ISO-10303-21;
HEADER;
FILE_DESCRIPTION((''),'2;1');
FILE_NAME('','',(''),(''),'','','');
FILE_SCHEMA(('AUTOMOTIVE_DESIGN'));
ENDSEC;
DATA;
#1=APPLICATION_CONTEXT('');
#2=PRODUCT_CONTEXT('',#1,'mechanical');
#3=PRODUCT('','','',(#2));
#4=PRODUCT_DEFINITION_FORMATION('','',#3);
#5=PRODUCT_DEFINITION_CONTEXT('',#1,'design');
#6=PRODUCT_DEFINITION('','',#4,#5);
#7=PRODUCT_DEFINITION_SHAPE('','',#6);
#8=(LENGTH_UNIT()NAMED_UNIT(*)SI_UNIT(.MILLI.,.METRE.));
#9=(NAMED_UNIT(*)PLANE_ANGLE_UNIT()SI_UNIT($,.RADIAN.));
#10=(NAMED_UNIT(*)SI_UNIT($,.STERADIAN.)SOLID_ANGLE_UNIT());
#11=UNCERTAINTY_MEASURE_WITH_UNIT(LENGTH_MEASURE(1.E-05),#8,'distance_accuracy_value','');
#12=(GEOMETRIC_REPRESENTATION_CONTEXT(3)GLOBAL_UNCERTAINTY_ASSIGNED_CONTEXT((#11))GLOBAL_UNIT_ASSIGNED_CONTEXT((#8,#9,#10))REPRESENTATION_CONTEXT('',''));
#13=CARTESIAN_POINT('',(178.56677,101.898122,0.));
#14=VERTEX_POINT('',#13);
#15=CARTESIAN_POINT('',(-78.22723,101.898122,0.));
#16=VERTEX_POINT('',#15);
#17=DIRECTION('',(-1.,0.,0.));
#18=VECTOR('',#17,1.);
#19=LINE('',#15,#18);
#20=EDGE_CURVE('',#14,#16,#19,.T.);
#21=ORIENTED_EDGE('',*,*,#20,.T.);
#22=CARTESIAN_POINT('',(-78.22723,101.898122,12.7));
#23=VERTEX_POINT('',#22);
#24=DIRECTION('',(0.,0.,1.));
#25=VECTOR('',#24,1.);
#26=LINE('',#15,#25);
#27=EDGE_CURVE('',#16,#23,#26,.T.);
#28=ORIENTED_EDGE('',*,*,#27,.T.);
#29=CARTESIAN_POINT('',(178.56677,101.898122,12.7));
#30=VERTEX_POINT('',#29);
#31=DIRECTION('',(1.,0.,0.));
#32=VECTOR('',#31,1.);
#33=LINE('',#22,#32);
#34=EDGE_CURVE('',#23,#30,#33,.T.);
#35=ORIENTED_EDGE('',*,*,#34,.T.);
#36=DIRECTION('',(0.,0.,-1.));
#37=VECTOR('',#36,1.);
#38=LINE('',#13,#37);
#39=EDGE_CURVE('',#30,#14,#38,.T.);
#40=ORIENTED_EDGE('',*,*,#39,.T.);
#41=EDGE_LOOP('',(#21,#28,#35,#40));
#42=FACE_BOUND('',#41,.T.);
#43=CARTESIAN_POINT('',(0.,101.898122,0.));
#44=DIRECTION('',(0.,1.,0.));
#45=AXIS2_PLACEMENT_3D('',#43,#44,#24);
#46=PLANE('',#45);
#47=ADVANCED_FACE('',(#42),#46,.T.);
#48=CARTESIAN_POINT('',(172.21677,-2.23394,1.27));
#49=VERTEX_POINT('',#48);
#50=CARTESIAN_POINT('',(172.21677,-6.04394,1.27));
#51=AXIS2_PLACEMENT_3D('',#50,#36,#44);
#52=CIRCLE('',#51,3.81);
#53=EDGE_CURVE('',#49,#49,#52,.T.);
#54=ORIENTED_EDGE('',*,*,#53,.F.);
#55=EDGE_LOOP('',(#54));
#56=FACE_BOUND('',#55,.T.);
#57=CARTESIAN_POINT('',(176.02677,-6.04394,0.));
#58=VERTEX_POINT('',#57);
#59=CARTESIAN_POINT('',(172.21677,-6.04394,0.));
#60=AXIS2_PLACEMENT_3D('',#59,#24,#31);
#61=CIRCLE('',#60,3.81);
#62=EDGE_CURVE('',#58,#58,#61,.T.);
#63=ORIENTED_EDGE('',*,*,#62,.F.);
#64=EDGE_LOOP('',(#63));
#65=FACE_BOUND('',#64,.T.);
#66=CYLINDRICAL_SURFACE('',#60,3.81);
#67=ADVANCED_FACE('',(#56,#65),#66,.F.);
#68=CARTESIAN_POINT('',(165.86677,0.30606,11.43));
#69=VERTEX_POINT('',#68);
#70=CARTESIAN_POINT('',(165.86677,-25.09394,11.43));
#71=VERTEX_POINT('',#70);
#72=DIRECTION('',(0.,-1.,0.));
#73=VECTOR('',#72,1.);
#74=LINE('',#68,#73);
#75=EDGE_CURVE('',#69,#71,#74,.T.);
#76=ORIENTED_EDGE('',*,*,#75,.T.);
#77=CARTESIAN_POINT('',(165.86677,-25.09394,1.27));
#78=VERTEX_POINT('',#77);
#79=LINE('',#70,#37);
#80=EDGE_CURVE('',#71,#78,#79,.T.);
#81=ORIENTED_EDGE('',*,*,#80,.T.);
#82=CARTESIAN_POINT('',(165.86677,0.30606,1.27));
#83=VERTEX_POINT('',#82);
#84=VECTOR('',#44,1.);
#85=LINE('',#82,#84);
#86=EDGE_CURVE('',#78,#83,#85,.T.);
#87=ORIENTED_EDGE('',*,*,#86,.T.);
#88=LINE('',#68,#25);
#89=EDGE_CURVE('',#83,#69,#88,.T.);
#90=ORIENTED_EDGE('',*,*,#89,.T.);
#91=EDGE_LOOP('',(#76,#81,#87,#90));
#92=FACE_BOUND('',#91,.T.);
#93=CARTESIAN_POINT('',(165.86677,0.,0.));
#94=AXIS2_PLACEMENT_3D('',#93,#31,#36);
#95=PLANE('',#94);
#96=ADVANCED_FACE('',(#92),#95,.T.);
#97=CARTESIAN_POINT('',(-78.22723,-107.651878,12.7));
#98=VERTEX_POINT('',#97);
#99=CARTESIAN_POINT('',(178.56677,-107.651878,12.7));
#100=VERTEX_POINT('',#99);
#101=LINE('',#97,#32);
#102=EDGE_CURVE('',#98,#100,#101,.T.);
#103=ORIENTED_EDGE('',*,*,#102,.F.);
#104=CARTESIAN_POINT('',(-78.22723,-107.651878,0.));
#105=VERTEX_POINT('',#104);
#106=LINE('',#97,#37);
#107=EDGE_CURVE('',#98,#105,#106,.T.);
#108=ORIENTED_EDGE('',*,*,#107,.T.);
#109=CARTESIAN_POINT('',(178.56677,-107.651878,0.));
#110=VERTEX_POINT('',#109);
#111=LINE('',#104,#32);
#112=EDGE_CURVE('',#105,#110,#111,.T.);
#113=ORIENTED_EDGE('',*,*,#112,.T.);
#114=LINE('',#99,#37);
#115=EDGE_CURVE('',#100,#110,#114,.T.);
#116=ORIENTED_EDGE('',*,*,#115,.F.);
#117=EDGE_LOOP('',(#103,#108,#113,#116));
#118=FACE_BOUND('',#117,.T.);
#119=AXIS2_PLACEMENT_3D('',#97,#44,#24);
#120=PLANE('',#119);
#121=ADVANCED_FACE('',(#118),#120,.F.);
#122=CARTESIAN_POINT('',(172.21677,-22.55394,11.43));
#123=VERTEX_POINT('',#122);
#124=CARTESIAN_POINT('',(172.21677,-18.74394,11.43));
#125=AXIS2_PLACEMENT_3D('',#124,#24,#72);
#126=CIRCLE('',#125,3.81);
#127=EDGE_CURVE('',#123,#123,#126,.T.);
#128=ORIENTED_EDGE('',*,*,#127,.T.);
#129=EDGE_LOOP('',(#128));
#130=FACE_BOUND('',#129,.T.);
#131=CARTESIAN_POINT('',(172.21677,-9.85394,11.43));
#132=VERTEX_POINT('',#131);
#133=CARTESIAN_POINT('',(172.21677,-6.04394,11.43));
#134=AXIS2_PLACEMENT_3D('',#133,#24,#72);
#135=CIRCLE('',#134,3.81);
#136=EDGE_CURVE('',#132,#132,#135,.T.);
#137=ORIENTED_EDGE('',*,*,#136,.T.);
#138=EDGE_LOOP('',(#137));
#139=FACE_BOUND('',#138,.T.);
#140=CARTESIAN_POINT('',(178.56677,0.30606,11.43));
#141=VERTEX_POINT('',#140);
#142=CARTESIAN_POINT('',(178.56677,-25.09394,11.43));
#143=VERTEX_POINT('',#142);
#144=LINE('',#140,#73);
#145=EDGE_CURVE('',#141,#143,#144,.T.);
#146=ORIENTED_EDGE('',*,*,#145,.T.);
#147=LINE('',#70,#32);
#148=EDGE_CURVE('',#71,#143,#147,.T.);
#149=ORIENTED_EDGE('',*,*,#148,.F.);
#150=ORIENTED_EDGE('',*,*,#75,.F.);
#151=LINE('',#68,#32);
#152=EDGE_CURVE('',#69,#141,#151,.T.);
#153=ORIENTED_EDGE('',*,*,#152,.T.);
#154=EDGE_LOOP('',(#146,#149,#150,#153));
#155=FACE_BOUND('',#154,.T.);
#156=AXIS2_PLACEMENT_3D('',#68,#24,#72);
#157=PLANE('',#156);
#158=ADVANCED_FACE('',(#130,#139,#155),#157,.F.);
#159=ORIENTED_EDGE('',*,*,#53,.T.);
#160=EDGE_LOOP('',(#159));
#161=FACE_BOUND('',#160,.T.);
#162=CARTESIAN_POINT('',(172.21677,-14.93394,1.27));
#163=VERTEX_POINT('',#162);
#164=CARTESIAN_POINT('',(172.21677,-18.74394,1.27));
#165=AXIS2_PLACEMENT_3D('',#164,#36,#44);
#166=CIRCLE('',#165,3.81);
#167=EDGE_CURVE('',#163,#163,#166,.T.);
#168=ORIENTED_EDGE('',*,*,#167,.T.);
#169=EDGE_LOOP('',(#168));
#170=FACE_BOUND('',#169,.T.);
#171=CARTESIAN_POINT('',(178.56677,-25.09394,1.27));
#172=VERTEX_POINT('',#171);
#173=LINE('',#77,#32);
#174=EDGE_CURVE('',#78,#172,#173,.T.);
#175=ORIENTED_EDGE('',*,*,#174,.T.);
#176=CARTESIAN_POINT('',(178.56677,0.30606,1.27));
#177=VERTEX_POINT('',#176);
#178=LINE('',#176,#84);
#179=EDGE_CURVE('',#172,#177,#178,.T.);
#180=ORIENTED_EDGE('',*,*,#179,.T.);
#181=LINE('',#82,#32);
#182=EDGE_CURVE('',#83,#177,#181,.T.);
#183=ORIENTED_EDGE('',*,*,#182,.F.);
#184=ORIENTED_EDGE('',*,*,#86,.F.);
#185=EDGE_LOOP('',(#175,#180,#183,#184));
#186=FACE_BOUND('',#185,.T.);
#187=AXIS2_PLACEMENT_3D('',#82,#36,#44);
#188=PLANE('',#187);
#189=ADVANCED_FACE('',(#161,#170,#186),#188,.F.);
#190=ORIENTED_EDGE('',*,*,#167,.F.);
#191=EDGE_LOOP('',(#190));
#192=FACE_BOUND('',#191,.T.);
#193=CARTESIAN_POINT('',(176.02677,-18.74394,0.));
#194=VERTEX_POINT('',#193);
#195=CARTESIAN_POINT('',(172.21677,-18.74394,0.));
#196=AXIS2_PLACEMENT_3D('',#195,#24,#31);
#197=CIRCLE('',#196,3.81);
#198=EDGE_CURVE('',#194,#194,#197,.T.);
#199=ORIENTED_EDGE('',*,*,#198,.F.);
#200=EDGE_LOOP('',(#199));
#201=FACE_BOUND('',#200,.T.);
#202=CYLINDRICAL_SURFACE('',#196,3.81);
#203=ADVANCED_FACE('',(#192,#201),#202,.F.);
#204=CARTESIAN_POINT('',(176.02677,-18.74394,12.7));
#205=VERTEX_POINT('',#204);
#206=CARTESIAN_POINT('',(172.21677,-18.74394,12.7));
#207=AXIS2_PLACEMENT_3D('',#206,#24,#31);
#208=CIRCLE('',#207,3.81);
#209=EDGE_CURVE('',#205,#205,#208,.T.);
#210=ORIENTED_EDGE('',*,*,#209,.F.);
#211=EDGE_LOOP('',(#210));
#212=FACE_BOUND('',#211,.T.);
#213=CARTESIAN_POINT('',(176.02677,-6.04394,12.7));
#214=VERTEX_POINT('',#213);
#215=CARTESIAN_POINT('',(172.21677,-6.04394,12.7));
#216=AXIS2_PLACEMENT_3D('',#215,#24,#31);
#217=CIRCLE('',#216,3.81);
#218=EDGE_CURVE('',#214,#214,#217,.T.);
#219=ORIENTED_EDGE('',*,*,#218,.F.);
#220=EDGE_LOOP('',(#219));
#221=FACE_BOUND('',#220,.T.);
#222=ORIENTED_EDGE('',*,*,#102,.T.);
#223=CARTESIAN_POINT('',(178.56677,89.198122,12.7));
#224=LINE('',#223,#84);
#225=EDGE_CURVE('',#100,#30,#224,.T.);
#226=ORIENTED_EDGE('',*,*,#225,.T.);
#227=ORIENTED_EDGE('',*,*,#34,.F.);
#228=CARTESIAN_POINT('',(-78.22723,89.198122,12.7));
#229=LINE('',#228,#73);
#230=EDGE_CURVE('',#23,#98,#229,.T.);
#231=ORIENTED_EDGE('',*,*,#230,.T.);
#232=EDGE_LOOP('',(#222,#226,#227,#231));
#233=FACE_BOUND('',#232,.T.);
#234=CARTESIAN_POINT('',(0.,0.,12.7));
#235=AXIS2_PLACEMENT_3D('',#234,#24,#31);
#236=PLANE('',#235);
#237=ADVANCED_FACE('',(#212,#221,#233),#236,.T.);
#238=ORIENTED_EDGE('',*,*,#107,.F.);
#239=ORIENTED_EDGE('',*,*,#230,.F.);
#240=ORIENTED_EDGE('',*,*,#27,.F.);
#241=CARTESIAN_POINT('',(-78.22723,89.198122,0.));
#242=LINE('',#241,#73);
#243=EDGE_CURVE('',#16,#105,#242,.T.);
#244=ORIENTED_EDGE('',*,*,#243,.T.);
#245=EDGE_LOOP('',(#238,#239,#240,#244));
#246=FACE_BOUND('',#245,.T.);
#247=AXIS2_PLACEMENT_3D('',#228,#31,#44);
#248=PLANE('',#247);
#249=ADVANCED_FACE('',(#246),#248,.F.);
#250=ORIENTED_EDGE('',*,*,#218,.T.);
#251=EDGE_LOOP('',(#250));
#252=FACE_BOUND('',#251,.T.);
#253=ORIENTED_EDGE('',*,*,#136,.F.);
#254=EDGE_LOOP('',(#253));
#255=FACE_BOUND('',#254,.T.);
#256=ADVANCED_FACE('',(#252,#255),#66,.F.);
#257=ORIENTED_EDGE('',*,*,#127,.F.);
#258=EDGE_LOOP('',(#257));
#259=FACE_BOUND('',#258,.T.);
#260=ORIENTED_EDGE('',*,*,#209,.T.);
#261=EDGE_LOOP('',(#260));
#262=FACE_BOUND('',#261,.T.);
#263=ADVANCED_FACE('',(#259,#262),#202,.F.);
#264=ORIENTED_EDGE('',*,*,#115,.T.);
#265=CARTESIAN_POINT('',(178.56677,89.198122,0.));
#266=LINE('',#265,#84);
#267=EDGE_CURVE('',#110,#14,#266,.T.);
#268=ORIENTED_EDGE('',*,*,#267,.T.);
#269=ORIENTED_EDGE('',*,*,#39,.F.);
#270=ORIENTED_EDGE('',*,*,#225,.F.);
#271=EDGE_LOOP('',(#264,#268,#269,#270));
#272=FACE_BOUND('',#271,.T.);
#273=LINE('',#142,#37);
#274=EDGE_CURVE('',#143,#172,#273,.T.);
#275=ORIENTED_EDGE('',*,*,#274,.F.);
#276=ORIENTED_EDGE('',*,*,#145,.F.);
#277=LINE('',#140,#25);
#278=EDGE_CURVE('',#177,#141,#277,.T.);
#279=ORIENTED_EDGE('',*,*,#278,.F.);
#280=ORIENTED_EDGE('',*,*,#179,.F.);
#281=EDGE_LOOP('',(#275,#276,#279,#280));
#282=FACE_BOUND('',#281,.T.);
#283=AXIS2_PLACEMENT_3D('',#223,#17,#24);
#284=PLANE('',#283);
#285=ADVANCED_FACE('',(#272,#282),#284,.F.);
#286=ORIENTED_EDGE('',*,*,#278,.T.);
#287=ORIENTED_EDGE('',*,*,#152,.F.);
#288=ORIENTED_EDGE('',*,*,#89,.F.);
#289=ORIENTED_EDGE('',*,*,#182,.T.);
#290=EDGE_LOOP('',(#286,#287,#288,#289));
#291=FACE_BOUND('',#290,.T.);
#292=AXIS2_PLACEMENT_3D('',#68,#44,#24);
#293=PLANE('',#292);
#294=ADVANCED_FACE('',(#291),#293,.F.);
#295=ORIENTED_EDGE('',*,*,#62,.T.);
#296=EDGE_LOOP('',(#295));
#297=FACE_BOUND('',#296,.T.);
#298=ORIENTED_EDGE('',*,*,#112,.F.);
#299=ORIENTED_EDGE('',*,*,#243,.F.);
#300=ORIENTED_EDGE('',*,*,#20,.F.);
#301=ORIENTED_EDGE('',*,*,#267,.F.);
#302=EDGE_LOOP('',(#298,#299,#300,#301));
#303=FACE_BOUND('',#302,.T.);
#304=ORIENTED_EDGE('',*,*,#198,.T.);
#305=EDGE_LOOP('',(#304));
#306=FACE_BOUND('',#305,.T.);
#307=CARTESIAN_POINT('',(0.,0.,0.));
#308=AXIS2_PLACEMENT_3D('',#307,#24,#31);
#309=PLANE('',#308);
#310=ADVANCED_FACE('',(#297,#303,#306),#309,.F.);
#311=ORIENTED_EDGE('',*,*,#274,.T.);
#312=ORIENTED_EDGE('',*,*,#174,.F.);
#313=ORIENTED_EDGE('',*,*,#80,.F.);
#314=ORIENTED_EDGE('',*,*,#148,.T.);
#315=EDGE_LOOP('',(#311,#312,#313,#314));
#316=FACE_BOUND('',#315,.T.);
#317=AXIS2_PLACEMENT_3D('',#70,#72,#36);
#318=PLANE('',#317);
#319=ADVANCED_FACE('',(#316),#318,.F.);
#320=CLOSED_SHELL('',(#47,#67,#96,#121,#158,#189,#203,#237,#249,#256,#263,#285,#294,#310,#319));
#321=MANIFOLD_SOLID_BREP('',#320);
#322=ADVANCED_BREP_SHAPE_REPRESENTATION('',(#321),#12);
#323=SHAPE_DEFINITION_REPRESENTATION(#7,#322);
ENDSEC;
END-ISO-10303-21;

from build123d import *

# Parameters (mm, degrees)
SKETCH1_W           = 256.794
SKETCH1_H           = 196.85
BOSS_EXTRUDE1_DEPTH = 12.7
SKETCH2_W           = 10.16
SKETCH2_H           = 25.4
CUT_EXTRUDE1_DEPTH  = 12.7
SKETCH3_R           = 3.81
CUT_EXTRUDE2_DEPTH  = 12.7
SKETCH4_W           = 256.794
SKETCH4_H           = 12.7
BOSS_EXTRUDE2_DEPTH = 12.7


with BuildPart() as part:
    # Sketch1 → Boss-Extrude1 (new body)
    with BuildSketch(Plane.XY):
        with Locations((50.169769953, -9.226877934)):
            Rectangle(SKETCH1_W, SKETCH1_H)
    extrude(amount=BOSS_EXTRUDE1_DEPTH)

    # Sketch2 → Cut-Extrude1 (cut)
    with BuildSketch(Plane(origin=(178.566769953, 0, 0), x_dir=(0, 0, -1), z_dir=(1, 0, 0))):
        with Locations((-6.35, -12.393940124)):
            Rectangle(SKETCH2_W, SKETCH2_H)
    extrude(amount=-CUT_EXTRUDE1_DEPTH, mode=Mode.SUBTRACT)

    # Sketch3 → Cut-Extrude2 (cut)
    with BuildSketch(Plane.XY.offset(12.7)):
        with Locations((172.216769953, -6.043940124)):
            Circle(SKETCH3_R)
        with Locations((172.216769953, -18.743940124)):
            Circle(SKETCH3_R)
    extrude(amount=-CUT_EXTRUDE2_DEPTH, mode=Mode.SUBTRACT)

    # Sketch4 → Boss-Extrude2 (add)
    with BuildSketch(Plane(origin=(0, 89.198122066, 0), x_dir=(1, 0, 0), z_dir=(0, 1, 0))):
        with Locations((50.169769953, -6.35)):
            Rectangle(SKETCH4_W, SKETCH4_H)
    extrude(amount=BOSS_EXTRUDE2_DEPTH)


solid = part.part
